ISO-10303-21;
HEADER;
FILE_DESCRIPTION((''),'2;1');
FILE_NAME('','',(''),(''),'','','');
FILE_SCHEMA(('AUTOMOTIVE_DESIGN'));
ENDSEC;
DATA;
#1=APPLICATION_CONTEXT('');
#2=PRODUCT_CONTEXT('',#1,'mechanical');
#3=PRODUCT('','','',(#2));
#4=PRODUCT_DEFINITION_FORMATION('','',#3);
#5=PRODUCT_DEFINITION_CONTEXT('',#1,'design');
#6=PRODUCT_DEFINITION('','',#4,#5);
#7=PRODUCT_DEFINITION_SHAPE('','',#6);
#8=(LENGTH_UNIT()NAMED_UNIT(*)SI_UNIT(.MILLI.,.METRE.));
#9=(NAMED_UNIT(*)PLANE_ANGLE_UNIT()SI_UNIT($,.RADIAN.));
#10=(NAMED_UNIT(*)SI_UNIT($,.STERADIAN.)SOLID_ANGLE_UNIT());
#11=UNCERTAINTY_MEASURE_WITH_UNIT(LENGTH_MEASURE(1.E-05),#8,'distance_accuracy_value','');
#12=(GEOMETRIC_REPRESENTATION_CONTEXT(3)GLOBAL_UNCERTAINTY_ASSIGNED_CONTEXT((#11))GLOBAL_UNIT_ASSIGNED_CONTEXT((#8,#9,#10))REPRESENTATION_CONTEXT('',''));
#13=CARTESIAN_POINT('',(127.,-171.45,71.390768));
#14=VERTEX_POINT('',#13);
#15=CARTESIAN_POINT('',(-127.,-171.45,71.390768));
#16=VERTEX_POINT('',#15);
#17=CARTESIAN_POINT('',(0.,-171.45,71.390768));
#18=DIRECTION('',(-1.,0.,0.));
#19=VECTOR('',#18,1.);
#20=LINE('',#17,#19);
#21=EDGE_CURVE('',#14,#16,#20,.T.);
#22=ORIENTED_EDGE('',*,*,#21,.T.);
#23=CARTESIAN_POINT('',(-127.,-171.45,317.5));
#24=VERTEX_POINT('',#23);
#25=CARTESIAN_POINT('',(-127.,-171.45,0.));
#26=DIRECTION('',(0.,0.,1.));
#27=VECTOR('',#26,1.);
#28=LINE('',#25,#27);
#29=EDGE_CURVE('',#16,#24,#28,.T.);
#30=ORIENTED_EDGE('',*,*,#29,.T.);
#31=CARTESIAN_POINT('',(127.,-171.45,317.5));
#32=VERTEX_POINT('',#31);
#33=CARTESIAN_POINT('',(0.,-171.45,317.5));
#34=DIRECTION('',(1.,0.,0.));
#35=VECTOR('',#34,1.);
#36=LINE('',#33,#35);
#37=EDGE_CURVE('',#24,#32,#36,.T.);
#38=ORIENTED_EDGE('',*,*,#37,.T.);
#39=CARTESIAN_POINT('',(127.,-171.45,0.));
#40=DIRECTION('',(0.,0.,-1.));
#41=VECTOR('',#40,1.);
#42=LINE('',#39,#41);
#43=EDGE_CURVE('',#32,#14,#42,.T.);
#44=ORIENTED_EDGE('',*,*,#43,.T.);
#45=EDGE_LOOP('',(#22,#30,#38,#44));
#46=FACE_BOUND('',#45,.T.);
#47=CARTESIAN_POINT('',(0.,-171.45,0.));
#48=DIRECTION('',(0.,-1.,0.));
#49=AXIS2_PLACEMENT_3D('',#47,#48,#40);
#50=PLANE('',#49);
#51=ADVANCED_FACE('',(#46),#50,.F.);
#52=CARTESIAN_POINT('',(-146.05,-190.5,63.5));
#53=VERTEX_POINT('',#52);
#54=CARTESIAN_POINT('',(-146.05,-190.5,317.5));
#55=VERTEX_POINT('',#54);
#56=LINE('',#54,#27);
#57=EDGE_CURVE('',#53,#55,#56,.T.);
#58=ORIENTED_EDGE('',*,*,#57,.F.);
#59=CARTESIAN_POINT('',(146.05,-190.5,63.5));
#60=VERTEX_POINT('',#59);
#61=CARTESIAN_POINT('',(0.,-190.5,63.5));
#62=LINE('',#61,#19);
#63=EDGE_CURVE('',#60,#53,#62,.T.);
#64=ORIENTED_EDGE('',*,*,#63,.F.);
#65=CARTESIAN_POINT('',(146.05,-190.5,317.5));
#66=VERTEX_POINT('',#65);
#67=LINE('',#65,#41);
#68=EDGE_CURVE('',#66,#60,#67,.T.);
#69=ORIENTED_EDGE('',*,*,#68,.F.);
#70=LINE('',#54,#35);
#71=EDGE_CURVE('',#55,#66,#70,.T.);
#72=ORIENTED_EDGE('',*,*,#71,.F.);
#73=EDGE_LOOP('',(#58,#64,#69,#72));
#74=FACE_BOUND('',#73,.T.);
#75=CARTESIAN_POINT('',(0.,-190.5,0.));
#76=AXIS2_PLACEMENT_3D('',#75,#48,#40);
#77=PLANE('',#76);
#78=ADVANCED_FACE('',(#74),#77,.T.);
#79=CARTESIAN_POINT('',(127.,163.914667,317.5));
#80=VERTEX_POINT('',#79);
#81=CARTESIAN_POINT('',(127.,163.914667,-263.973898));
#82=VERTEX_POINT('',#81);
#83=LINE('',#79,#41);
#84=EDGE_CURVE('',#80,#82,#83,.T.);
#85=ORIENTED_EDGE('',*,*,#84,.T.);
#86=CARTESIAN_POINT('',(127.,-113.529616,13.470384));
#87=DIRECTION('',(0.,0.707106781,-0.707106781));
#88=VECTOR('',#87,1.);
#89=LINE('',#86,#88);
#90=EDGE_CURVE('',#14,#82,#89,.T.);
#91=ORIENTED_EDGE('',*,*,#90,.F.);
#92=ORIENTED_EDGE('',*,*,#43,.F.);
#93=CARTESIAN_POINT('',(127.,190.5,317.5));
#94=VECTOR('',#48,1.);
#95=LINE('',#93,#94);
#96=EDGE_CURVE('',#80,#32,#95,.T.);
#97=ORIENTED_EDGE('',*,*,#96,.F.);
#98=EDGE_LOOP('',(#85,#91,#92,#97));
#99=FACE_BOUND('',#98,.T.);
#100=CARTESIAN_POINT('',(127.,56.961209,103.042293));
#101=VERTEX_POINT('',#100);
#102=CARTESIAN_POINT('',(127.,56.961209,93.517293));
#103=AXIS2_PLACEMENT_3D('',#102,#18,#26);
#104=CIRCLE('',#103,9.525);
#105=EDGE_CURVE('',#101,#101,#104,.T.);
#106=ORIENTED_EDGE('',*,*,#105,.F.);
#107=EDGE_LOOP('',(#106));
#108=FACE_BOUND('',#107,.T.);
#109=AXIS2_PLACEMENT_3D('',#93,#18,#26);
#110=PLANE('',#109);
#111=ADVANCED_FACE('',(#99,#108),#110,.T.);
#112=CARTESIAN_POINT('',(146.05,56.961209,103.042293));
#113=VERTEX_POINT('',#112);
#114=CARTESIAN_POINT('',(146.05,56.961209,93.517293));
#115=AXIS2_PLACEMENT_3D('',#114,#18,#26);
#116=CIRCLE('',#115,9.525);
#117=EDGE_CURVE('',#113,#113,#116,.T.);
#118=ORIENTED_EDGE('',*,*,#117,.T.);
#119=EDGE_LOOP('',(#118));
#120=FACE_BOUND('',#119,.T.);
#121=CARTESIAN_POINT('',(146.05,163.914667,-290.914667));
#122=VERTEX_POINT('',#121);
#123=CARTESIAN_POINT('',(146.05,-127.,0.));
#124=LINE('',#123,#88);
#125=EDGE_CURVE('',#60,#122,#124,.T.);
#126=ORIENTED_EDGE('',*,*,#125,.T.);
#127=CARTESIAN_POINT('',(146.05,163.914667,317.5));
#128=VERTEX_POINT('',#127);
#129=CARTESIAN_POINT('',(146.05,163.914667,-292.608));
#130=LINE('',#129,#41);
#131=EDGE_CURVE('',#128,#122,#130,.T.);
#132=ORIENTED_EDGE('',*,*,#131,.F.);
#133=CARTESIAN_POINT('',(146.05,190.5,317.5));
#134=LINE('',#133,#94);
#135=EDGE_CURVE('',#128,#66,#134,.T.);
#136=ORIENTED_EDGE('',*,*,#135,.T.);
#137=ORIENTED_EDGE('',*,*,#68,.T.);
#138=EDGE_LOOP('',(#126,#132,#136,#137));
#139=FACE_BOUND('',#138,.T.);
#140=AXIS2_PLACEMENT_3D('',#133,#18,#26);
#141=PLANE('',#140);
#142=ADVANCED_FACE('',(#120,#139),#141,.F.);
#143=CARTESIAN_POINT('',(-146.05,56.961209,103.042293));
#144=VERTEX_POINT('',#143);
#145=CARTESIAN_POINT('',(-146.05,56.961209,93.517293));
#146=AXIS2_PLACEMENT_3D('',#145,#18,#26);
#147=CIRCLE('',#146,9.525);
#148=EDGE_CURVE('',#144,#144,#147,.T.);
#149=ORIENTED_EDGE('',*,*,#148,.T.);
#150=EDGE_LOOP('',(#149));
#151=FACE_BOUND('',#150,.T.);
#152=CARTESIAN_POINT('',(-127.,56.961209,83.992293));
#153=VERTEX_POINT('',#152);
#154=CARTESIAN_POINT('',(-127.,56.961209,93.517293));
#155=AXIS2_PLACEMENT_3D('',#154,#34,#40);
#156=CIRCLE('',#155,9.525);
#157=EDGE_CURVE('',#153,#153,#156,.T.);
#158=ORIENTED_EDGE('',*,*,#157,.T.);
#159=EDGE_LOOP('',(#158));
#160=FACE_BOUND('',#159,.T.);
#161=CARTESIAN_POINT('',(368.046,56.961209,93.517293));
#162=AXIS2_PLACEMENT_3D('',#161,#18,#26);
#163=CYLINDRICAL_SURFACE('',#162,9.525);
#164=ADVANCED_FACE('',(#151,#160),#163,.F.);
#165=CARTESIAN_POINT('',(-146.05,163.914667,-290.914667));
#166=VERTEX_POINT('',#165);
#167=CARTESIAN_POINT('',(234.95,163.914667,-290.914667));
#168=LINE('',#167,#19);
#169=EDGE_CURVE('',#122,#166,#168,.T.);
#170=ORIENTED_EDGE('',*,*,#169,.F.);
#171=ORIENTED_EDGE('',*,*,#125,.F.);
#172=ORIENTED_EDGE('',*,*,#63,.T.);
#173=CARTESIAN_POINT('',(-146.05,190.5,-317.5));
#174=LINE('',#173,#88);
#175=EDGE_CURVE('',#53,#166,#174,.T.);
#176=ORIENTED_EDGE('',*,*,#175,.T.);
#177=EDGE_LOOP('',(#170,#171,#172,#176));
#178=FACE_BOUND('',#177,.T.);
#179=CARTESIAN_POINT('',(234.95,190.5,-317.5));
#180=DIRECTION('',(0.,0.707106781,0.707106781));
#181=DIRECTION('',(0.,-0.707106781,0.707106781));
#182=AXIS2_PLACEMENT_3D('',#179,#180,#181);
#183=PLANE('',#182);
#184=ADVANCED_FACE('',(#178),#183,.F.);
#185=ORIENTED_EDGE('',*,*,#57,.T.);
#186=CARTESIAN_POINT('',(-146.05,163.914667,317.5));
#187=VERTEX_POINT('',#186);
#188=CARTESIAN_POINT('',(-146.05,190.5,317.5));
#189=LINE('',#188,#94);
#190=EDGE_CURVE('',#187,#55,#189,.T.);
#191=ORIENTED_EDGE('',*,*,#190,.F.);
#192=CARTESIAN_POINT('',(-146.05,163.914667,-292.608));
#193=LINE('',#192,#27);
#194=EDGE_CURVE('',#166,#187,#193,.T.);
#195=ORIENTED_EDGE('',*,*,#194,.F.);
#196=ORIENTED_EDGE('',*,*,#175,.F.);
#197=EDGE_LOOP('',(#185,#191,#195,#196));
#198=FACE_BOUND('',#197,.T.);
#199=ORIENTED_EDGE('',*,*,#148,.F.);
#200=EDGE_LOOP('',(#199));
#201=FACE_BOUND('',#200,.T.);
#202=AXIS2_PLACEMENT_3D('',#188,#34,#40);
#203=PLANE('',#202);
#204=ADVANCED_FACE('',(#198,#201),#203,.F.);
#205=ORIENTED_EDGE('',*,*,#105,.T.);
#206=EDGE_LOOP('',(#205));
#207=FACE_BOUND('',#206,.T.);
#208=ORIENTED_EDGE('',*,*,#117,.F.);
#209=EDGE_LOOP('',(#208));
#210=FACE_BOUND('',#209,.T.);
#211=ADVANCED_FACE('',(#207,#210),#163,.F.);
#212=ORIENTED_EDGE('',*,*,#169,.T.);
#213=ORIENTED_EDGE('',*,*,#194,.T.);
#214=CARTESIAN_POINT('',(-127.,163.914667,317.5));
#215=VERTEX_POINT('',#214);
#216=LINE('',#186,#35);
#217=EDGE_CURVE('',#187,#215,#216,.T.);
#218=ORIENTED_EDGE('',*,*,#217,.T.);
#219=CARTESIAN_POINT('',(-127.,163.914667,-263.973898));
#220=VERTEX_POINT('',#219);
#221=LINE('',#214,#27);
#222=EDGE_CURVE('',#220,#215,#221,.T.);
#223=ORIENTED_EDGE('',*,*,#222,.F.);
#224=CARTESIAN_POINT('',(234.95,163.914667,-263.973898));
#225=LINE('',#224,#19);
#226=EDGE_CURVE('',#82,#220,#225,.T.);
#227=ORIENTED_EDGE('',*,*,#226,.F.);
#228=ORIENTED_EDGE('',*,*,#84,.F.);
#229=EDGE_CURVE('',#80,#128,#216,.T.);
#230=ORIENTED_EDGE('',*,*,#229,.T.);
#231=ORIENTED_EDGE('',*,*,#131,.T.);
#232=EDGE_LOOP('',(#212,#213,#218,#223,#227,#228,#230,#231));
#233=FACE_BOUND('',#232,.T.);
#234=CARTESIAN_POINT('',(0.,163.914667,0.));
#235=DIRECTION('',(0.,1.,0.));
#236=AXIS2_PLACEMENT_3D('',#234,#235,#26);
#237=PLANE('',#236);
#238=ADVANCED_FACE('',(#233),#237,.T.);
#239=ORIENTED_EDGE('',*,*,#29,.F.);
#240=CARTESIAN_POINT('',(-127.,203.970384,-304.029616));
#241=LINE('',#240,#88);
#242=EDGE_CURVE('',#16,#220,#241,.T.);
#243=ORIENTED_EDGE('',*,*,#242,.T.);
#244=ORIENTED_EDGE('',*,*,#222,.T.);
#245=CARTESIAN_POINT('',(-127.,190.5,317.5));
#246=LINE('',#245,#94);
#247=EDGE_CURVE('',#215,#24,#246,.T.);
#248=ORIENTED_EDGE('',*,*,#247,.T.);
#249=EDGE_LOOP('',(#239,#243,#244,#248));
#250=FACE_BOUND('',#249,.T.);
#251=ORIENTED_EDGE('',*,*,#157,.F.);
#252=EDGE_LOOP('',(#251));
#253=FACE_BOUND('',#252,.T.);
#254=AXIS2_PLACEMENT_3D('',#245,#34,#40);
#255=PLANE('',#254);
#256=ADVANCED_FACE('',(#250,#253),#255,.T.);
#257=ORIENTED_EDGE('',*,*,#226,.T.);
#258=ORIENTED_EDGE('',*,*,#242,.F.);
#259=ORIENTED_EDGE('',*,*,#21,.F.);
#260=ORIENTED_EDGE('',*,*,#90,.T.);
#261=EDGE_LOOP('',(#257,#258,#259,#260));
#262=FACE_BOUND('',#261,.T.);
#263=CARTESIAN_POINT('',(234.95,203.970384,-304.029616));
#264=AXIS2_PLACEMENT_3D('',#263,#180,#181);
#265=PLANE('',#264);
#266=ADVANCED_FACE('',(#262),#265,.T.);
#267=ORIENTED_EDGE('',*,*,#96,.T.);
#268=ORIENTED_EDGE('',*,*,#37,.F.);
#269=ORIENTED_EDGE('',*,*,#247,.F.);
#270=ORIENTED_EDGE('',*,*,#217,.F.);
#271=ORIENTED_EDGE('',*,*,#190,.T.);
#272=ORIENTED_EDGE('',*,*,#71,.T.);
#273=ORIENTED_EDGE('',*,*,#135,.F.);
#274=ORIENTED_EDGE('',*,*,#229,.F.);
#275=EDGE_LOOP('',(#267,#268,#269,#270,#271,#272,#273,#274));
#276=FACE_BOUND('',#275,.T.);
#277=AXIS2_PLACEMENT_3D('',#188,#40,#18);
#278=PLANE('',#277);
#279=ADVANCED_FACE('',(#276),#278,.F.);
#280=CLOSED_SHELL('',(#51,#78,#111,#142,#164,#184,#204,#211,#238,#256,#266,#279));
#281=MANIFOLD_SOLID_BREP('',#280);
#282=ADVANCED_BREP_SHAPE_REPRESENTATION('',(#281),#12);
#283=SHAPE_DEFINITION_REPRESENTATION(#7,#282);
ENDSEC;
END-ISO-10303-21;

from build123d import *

# Parameters (mm, degrees)
SKETCH2_W           = 292.1
SKETCH2_H           = 635
BOSS_EXTRUDE1_DEPTH = 190.5
CUT_EXTRUDE2_DEPTH  = 381
SHELL1_T            = -19.05
SKETCH5_W           = 292.1
SKETCH5_H           = 635
CUT_EXTRUDE3_DEPTH  = 24.892
SKETCH6_R           = 9.525
CUT_EXTRUDE4_DEPTH  = 514.096
SKETCH10_W          = 292.1
SKETCH10_H          = 610.108
CUT_EXTRUDE7_DEPTH  = 1.693333333


with BuildPart() as part:
    # Sketch2 → Boss-Extrude1 (new body, symmetric)
    with BuildSketch(Plane(origin=(0, 0, 0), x_dir=(1, 0, 0), z_dir=(0, 1, 0))):
        Rectangle(SKETCH2_W, SKETCH2_H)
    extrude(amount=BOSS_EXTRUDE1_DEPTH, both=True)

    # Sketch4 → Cut-Extrude2 (cut)
    with BuildSketch(Plane.ZY.offset(146.05)):
        Polygon((-317.5, 190.5), (63.5, -190.5), (-317.5, -190.5), align=None)
    extrude(amount=-CUT_EXTRUDE2_DEPTH, mode=Mode.SUBTRACT)

    # Shell1
    shell1_openings = [part.faces().sort_by_distance(p)[0] for p in [
        (0, 0, 317.5),
    ]]
    offset(amount=SHELL1_T, openings=shell1_openings, kind=Kind.INTERSECTION)

    # Sketch5 → Cut-Extrude3 (cut)
    with BuildSketch(Plane(origin=(0, 190.5, 0), x_dir=(1, 0, 0), z_dir=(0, 1, 0))):
        Rectangle(SKETCH5_W, SKETCH5_H)
    extrude(amount=-CUT_EXTRUDE3_DEPTH, mode=Mode.SUBTRACT)

    # Sketch6 → Cut-Extrude4 (cut)
    with BuildSketch(Plane.ZY.offset(146.05)):
        with Locations((93.517292524, 56.961208915)):
            Circle(SKETCH6_R)
    extrude(amount=-CUT_EXTRUDE4_DEPTH, mode=Mode.SUBTRACT)

    # Sketch10 → Cut-Extrude7 (cut)
    with BuildSketch(Plane(origin=(0, 165.608, 0), x_dir=(1, 0, 0), z_dir=(0, 1, 0))):
        with Locations((0, -12.446)):
            Rectangle(SKETCH10_W, SKETCH10_H)
    extrude(amount=-CUT_EXTRUDE7_DEPTH, mode=Mode.SUBTRACT)


solid = part.part
